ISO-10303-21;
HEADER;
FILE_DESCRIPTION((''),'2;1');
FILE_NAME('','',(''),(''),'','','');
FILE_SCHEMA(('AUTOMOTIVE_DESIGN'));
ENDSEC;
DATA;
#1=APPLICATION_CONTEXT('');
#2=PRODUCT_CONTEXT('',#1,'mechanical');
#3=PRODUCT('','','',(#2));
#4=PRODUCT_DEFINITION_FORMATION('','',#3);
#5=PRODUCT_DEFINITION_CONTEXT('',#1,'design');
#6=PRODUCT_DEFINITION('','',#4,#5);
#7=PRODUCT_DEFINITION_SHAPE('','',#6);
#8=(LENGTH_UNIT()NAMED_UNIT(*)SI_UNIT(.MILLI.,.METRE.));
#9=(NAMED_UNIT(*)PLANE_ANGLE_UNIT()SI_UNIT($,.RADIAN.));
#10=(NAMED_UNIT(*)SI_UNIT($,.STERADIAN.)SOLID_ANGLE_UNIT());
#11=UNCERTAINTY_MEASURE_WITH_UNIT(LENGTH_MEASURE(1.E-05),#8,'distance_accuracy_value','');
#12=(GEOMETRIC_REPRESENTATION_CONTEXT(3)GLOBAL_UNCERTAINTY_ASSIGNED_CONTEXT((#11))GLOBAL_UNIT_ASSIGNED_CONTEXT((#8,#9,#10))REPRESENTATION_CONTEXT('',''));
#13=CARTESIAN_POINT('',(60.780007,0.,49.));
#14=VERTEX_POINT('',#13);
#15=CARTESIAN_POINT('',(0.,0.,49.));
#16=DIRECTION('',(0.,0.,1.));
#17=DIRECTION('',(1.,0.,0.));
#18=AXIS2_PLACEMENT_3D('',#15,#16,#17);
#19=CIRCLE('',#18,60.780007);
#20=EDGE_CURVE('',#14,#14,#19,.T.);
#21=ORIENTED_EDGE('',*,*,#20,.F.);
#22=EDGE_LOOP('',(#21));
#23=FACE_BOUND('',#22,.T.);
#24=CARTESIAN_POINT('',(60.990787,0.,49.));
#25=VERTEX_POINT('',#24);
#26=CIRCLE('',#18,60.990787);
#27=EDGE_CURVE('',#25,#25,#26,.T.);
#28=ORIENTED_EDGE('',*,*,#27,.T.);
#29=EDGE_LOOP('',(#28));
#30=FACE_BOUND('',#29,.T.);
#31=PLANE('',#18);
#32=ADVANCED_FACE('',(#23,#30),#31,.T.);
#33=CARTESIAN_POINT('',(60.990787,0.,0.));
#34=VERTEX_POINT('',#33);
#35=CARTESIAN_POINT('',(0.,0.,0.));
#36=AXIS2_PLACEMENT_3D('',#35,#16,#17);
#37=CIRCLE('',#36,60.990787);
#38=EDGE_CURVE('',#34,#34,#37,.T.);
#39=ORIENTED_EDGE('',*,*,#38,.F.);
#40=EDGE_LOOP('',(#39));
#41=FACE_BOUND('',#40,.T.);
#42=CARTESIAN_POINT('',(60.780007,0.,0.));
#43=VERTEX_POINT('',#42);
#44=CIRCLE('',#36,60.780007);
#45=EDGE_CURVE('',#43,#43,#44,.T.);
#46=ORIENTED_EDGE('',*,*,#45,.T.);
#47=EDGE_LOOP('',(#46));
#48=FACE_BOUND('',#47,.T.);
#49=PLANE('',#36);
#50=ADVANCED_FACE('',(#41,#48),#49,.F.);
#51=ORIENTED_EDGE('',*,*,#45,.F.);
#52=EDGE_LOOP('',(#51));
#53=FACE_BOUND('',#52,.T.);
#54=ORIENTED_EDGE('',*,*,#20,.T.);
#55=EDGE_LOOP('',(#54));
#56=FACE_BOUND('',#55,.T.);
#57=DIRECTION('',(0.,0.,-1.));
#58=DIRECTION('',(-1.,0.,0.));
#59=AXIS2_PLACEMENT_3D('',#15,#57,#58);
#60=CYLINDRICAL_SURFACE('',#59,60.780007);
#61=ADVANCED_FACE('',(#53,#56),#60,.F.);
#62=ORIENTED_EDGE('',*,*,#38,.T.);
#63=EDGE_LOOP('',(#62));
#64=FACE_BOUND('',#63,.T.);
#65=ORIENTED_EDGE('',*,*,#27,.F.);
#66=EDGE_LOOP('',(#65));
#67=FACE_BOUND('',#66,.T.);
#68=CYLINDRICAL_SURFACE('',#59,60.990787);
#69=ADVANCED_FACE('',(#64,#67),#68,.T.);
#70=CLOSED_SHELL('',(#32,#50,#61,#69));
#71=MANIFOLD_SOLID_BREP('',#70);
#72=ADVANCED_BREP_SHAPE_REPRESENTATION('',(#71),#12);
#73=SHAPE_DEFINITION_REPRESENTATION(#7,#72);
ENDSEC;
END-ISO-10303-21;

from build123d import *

# Parameters (mm, degrees)
SKIZZE1_R                       = 60.990787353
SKIZZE1_R_2                     = 60.780006603
AUFSATZ_LINEAR_AUSTRAGEN1_DEPTH = 49


with BuildPart() as part:
    # Skizze1 → Aufsatz-Linear austragen1 (new body)
    with BuildSketch(Plane.XY):
        Circle(SKIZZE1_R)
        Circle(SKIZZE1_R_2, mode=Mode.SUBTRACT)
    extrude(amount=AUFSATZ_LINEAR_AUSTRAGEN1_DEPTH)


solid = part.part
